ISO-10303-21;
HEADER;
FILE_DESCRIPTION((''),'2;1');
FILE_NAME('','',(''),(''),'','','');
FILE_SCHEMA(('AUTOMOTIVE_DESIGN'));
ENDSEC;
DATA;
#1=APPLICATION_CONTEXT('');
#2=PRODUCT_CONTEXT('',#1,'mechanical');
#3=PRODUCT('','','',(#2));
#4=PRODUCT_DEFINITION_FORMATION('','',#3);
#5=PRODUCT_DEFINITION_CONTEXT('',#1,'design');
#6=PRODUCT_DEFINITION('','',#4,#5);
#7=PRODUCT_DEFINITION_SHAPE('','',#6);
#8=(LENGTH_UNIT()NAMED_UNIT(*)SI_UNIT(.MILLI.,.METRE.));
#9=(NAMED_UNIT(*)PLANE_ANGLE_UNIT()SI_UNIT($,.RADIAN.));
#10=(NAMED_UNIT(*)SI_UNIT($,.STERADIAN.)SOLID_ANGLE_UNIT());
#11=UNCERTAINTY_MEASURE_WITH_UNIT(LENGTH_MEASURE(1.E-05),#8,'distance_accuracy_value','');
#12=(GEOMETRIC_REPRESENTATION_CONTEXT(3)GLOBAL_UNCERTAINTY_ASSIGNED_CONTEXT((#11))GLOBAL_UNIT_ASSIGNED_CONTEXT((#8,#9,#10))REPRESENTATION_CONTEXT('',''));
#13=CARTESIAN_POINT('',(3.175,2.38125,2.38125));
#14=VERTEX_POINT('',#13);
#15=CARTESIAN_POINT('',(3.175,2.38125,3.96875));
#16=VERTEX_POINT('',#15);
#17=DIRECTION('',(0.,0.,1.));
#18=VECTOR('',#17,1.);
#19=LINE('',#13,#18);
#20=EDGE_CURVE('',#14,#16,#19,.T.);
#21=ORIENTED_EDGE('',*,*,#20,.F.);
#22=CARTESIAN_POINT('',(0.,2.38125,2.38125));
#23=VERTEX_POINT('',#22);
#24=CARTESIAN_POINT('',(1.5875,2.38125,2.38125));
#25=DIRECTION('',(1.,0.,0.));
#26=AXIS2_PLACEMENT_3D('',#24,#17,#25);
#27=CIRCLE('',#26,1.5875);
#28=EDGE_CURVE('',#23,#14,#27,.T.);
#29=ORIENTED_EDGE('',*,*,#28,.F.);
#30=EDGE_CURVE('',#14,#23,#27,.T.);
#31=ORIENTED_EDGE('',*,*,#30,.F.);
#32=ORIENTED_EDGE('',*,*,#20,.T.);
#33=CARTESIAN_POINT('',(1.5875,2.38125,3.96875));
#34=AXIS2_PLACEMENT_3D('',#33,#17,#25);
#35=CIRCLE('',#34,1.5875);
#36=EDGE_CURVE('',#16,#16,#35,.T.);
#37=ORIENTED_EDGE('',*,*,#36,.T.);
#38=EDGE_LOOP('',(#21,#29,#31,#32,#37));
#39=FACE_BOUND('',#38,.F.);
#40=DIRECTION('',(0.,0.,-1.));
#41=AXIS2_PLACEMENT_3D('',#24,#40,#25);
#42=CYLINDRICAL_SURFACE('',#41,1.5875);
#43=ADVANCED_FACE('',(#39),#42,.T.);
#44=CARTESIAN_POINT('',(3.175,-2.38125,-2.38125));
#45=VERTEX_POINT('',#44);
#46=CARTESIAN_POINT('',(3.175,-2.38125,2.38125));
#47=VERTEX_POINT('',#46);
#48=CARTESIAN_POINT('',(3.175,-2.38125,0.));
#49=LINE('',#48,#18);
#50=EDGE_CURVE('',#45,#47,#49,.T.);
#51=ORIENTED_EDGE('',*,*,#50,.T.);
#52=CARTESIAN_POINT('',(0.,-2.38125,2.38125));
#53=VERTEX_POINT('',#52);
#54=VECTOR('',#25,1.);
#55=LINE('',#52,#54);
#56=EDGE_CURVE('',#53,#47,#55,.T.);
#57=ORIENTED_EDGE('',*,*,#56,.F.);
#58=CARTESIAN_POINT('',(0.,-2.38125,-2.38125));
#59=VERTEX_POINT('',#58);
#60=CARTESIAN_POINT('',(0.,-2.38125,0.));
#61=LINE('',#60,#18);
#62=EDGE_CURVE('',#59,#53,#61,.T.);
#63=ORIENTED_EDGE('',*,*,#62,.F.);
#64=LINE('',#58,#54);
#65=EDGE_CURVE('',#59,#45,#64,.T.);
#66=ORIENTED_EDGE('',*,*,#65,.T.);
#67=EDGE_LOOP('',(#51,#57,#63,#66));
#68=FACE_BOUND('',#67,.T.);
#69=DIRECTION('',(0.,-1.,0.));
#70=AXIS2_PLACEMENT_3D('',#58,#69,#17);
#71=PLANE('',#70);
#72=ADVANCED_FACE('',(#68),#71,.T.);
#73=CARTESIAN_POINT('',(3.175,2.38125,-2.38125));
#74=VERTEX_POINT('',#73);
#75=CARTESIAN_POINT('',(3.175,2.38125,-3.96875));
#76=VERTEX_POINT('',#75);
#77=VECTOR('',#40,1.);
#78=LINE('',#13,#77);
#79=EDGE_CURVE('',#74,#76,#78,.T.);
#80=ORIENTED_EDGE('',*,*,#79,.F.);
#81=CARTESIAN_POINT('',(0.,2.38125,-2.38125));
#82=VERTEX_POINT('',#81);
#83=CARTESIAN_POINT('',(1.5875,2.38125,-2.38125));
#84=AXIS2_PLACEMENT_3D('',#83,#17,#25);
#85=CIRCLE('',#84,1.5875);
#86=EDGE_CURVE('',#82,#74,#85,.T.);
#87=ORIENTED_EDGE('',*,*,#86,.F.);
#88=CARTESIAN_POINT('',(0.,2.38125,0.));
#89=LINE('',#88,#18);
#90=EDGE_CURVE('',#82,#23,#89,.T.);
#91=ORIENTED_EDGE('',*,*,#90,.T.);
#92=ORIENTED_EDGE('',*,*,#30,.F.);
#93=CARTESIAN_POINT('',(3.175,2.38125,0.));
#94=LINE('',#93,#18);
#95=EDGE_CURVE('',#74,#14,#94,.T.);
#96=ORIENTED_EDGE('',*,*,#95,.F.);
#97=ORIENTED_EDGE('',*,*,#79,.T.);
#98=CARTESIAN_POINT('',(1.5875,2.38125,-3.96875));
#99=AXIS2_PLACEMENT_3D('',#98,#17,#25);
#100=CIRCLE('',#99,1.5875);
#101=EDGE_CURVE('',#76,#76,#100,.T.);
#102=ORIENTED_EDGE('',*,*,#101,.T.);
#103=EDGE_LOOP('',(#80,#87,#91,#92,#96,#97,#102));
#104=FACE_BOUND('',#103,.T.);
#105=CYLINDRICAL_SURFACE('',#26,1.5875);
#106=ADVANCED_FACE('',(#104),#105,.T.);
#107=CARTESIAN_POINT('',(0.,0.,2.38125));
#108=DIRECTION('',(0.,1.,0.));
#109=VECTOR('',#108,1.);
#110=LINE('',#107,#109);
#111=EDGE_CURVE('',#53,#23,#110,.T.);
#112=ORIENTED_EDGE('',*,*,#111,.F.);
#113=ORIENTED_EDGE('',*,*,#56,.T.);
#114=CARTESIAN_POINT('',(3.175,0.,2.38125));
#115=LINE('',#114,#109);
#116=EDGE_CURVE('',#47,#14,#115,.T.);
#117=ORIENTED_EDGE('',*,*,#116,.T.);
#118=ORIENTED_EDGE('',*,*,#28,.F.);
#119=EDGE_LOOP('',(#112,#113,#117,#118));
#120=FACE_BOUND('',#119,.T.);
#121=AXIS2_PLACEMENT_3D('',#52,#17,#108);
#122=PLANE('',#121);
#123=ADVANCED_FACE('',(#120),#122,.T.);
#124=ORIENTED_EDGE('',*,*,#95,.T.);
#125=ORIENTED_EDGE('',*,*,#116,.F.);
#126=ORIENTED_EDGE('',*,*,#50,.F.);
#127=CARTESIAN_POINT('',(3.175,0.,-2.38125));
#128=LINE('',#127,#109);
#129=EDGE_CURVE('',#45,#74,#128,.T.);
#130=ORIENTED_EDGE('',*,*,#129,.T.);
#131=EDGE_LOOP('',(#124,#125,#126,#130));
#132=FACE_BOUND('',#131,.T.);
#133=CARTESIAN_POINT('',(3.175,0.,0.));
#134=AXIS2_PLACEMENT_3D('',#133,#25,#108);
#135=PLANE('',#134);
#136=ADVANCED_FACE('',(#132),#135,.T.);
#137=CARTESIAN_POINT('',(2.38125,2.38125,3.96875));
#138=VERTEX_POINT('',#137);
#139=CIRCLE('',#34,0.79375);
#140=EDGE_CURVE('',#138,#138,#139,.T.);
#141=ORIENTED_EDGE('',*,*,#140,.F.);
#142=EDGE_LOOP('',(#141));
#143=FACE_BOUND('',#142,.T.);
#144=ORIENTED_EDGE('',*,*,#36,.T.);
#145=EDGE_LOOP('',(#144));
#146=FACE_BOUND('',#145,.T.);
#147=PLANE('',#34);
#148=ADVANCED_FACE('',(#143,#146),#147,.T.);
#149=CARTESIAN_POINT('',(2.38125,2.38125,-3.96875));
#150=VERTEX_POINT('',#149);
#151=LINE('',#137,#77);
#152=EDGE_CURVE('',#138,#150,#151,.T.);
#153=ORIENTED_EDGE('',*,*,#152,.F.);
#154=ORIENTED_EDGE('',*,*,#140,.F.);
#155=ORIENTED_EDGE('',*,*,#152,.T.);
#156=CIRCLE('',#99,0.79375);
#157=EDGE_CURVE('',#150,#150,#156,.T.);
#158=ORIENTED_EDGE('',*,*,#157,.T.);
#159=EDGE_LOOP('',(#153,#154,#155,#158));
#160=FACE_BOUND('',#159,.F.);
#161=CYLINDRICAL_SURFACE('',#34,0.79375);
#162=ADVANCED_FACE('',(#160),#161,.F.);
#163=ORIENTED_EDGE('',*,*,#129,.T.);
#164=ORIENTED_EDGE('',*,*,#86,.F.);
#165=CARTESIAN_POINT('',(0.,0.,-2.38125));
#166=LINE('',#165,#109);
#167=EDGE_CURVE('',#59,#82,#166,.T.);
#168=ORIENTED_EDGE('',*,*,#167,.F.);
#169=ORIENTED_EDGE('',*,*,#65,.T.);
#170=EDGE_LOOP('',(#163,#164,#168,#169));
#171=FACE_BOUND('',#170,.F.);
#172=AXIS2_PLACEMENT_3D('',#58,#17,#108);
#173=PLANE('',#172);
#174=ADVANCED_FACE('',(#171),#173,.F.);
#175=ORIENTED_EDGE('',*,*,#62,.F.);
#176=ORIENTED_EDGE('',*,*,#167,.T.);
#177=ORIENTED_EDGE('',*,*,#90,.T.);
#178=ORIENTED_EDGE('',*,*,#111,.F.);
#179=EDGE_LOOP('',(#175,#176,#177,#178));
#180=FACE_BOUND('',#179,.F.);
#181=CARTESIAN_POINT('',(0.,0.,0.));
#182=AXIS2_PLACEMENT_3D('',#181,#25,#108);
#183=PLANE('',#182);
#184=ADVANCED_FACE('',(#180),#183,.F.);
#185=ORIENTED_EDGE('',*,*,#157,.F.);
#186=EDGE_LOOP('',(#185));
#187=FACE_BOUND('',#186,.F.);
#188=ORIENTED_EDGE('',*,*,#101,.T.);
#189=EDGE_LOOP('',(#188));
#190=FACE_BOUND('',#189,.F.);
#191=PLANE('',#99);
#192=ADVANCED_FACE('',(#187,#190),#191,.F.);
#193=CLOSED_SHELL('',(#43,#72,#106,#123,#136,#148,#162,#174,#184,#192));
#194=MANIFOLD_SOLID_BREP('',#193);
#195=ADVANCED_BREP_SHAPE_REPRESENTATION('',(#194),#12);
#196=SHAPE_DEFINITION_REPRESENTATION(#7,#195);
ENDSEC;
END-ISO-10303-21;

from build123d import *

# Parameters (mm, degrees)
F0_W     = 4.7625
F0_H     = 4.7625
F1_DEPTH = 3.175
F2_R     = 1.5875
F3_DEPTH = 6.35
F4_DEPTH = 1.5875
F5_R     = 0.79375
F6_DEPTH = 7.9385


with BuildPart() as f1:
    # F0 (on Right) → F1 (new body)
    with BuildSketch(Plane.YZ):
        Rectangle(F0_W, F0_H)
    extrude(amount=F1_DEPTH)

    # F2 (on face) → F3 (join)
    with BuildSketch(Plane.XY.offset(2.38125)):
        with Locations((1.5875, 2.38125)):
            Circle(F2_R)
    extrude(amount=-F3_DEPTH)

    # F2 (on face) → F4 (join)
    with BuildSketch(Plane.XY.offset(2.38125)):
        with Locations((1.5875, 2.38125)):
            Circle(F2_R)
    extrude(amount=F4_DEPTH)

    # F5 (on face) → F6 (cut, through all)
    with BuildSketch(Plane.XY.offset(3.96875)):
        with Locations((1.5875, 2.38125)):
            Circle(F5_R)
    extrude(amount=-F6_DEPTH, mode=Mode.SUBTRACT)


solid = f1.part
